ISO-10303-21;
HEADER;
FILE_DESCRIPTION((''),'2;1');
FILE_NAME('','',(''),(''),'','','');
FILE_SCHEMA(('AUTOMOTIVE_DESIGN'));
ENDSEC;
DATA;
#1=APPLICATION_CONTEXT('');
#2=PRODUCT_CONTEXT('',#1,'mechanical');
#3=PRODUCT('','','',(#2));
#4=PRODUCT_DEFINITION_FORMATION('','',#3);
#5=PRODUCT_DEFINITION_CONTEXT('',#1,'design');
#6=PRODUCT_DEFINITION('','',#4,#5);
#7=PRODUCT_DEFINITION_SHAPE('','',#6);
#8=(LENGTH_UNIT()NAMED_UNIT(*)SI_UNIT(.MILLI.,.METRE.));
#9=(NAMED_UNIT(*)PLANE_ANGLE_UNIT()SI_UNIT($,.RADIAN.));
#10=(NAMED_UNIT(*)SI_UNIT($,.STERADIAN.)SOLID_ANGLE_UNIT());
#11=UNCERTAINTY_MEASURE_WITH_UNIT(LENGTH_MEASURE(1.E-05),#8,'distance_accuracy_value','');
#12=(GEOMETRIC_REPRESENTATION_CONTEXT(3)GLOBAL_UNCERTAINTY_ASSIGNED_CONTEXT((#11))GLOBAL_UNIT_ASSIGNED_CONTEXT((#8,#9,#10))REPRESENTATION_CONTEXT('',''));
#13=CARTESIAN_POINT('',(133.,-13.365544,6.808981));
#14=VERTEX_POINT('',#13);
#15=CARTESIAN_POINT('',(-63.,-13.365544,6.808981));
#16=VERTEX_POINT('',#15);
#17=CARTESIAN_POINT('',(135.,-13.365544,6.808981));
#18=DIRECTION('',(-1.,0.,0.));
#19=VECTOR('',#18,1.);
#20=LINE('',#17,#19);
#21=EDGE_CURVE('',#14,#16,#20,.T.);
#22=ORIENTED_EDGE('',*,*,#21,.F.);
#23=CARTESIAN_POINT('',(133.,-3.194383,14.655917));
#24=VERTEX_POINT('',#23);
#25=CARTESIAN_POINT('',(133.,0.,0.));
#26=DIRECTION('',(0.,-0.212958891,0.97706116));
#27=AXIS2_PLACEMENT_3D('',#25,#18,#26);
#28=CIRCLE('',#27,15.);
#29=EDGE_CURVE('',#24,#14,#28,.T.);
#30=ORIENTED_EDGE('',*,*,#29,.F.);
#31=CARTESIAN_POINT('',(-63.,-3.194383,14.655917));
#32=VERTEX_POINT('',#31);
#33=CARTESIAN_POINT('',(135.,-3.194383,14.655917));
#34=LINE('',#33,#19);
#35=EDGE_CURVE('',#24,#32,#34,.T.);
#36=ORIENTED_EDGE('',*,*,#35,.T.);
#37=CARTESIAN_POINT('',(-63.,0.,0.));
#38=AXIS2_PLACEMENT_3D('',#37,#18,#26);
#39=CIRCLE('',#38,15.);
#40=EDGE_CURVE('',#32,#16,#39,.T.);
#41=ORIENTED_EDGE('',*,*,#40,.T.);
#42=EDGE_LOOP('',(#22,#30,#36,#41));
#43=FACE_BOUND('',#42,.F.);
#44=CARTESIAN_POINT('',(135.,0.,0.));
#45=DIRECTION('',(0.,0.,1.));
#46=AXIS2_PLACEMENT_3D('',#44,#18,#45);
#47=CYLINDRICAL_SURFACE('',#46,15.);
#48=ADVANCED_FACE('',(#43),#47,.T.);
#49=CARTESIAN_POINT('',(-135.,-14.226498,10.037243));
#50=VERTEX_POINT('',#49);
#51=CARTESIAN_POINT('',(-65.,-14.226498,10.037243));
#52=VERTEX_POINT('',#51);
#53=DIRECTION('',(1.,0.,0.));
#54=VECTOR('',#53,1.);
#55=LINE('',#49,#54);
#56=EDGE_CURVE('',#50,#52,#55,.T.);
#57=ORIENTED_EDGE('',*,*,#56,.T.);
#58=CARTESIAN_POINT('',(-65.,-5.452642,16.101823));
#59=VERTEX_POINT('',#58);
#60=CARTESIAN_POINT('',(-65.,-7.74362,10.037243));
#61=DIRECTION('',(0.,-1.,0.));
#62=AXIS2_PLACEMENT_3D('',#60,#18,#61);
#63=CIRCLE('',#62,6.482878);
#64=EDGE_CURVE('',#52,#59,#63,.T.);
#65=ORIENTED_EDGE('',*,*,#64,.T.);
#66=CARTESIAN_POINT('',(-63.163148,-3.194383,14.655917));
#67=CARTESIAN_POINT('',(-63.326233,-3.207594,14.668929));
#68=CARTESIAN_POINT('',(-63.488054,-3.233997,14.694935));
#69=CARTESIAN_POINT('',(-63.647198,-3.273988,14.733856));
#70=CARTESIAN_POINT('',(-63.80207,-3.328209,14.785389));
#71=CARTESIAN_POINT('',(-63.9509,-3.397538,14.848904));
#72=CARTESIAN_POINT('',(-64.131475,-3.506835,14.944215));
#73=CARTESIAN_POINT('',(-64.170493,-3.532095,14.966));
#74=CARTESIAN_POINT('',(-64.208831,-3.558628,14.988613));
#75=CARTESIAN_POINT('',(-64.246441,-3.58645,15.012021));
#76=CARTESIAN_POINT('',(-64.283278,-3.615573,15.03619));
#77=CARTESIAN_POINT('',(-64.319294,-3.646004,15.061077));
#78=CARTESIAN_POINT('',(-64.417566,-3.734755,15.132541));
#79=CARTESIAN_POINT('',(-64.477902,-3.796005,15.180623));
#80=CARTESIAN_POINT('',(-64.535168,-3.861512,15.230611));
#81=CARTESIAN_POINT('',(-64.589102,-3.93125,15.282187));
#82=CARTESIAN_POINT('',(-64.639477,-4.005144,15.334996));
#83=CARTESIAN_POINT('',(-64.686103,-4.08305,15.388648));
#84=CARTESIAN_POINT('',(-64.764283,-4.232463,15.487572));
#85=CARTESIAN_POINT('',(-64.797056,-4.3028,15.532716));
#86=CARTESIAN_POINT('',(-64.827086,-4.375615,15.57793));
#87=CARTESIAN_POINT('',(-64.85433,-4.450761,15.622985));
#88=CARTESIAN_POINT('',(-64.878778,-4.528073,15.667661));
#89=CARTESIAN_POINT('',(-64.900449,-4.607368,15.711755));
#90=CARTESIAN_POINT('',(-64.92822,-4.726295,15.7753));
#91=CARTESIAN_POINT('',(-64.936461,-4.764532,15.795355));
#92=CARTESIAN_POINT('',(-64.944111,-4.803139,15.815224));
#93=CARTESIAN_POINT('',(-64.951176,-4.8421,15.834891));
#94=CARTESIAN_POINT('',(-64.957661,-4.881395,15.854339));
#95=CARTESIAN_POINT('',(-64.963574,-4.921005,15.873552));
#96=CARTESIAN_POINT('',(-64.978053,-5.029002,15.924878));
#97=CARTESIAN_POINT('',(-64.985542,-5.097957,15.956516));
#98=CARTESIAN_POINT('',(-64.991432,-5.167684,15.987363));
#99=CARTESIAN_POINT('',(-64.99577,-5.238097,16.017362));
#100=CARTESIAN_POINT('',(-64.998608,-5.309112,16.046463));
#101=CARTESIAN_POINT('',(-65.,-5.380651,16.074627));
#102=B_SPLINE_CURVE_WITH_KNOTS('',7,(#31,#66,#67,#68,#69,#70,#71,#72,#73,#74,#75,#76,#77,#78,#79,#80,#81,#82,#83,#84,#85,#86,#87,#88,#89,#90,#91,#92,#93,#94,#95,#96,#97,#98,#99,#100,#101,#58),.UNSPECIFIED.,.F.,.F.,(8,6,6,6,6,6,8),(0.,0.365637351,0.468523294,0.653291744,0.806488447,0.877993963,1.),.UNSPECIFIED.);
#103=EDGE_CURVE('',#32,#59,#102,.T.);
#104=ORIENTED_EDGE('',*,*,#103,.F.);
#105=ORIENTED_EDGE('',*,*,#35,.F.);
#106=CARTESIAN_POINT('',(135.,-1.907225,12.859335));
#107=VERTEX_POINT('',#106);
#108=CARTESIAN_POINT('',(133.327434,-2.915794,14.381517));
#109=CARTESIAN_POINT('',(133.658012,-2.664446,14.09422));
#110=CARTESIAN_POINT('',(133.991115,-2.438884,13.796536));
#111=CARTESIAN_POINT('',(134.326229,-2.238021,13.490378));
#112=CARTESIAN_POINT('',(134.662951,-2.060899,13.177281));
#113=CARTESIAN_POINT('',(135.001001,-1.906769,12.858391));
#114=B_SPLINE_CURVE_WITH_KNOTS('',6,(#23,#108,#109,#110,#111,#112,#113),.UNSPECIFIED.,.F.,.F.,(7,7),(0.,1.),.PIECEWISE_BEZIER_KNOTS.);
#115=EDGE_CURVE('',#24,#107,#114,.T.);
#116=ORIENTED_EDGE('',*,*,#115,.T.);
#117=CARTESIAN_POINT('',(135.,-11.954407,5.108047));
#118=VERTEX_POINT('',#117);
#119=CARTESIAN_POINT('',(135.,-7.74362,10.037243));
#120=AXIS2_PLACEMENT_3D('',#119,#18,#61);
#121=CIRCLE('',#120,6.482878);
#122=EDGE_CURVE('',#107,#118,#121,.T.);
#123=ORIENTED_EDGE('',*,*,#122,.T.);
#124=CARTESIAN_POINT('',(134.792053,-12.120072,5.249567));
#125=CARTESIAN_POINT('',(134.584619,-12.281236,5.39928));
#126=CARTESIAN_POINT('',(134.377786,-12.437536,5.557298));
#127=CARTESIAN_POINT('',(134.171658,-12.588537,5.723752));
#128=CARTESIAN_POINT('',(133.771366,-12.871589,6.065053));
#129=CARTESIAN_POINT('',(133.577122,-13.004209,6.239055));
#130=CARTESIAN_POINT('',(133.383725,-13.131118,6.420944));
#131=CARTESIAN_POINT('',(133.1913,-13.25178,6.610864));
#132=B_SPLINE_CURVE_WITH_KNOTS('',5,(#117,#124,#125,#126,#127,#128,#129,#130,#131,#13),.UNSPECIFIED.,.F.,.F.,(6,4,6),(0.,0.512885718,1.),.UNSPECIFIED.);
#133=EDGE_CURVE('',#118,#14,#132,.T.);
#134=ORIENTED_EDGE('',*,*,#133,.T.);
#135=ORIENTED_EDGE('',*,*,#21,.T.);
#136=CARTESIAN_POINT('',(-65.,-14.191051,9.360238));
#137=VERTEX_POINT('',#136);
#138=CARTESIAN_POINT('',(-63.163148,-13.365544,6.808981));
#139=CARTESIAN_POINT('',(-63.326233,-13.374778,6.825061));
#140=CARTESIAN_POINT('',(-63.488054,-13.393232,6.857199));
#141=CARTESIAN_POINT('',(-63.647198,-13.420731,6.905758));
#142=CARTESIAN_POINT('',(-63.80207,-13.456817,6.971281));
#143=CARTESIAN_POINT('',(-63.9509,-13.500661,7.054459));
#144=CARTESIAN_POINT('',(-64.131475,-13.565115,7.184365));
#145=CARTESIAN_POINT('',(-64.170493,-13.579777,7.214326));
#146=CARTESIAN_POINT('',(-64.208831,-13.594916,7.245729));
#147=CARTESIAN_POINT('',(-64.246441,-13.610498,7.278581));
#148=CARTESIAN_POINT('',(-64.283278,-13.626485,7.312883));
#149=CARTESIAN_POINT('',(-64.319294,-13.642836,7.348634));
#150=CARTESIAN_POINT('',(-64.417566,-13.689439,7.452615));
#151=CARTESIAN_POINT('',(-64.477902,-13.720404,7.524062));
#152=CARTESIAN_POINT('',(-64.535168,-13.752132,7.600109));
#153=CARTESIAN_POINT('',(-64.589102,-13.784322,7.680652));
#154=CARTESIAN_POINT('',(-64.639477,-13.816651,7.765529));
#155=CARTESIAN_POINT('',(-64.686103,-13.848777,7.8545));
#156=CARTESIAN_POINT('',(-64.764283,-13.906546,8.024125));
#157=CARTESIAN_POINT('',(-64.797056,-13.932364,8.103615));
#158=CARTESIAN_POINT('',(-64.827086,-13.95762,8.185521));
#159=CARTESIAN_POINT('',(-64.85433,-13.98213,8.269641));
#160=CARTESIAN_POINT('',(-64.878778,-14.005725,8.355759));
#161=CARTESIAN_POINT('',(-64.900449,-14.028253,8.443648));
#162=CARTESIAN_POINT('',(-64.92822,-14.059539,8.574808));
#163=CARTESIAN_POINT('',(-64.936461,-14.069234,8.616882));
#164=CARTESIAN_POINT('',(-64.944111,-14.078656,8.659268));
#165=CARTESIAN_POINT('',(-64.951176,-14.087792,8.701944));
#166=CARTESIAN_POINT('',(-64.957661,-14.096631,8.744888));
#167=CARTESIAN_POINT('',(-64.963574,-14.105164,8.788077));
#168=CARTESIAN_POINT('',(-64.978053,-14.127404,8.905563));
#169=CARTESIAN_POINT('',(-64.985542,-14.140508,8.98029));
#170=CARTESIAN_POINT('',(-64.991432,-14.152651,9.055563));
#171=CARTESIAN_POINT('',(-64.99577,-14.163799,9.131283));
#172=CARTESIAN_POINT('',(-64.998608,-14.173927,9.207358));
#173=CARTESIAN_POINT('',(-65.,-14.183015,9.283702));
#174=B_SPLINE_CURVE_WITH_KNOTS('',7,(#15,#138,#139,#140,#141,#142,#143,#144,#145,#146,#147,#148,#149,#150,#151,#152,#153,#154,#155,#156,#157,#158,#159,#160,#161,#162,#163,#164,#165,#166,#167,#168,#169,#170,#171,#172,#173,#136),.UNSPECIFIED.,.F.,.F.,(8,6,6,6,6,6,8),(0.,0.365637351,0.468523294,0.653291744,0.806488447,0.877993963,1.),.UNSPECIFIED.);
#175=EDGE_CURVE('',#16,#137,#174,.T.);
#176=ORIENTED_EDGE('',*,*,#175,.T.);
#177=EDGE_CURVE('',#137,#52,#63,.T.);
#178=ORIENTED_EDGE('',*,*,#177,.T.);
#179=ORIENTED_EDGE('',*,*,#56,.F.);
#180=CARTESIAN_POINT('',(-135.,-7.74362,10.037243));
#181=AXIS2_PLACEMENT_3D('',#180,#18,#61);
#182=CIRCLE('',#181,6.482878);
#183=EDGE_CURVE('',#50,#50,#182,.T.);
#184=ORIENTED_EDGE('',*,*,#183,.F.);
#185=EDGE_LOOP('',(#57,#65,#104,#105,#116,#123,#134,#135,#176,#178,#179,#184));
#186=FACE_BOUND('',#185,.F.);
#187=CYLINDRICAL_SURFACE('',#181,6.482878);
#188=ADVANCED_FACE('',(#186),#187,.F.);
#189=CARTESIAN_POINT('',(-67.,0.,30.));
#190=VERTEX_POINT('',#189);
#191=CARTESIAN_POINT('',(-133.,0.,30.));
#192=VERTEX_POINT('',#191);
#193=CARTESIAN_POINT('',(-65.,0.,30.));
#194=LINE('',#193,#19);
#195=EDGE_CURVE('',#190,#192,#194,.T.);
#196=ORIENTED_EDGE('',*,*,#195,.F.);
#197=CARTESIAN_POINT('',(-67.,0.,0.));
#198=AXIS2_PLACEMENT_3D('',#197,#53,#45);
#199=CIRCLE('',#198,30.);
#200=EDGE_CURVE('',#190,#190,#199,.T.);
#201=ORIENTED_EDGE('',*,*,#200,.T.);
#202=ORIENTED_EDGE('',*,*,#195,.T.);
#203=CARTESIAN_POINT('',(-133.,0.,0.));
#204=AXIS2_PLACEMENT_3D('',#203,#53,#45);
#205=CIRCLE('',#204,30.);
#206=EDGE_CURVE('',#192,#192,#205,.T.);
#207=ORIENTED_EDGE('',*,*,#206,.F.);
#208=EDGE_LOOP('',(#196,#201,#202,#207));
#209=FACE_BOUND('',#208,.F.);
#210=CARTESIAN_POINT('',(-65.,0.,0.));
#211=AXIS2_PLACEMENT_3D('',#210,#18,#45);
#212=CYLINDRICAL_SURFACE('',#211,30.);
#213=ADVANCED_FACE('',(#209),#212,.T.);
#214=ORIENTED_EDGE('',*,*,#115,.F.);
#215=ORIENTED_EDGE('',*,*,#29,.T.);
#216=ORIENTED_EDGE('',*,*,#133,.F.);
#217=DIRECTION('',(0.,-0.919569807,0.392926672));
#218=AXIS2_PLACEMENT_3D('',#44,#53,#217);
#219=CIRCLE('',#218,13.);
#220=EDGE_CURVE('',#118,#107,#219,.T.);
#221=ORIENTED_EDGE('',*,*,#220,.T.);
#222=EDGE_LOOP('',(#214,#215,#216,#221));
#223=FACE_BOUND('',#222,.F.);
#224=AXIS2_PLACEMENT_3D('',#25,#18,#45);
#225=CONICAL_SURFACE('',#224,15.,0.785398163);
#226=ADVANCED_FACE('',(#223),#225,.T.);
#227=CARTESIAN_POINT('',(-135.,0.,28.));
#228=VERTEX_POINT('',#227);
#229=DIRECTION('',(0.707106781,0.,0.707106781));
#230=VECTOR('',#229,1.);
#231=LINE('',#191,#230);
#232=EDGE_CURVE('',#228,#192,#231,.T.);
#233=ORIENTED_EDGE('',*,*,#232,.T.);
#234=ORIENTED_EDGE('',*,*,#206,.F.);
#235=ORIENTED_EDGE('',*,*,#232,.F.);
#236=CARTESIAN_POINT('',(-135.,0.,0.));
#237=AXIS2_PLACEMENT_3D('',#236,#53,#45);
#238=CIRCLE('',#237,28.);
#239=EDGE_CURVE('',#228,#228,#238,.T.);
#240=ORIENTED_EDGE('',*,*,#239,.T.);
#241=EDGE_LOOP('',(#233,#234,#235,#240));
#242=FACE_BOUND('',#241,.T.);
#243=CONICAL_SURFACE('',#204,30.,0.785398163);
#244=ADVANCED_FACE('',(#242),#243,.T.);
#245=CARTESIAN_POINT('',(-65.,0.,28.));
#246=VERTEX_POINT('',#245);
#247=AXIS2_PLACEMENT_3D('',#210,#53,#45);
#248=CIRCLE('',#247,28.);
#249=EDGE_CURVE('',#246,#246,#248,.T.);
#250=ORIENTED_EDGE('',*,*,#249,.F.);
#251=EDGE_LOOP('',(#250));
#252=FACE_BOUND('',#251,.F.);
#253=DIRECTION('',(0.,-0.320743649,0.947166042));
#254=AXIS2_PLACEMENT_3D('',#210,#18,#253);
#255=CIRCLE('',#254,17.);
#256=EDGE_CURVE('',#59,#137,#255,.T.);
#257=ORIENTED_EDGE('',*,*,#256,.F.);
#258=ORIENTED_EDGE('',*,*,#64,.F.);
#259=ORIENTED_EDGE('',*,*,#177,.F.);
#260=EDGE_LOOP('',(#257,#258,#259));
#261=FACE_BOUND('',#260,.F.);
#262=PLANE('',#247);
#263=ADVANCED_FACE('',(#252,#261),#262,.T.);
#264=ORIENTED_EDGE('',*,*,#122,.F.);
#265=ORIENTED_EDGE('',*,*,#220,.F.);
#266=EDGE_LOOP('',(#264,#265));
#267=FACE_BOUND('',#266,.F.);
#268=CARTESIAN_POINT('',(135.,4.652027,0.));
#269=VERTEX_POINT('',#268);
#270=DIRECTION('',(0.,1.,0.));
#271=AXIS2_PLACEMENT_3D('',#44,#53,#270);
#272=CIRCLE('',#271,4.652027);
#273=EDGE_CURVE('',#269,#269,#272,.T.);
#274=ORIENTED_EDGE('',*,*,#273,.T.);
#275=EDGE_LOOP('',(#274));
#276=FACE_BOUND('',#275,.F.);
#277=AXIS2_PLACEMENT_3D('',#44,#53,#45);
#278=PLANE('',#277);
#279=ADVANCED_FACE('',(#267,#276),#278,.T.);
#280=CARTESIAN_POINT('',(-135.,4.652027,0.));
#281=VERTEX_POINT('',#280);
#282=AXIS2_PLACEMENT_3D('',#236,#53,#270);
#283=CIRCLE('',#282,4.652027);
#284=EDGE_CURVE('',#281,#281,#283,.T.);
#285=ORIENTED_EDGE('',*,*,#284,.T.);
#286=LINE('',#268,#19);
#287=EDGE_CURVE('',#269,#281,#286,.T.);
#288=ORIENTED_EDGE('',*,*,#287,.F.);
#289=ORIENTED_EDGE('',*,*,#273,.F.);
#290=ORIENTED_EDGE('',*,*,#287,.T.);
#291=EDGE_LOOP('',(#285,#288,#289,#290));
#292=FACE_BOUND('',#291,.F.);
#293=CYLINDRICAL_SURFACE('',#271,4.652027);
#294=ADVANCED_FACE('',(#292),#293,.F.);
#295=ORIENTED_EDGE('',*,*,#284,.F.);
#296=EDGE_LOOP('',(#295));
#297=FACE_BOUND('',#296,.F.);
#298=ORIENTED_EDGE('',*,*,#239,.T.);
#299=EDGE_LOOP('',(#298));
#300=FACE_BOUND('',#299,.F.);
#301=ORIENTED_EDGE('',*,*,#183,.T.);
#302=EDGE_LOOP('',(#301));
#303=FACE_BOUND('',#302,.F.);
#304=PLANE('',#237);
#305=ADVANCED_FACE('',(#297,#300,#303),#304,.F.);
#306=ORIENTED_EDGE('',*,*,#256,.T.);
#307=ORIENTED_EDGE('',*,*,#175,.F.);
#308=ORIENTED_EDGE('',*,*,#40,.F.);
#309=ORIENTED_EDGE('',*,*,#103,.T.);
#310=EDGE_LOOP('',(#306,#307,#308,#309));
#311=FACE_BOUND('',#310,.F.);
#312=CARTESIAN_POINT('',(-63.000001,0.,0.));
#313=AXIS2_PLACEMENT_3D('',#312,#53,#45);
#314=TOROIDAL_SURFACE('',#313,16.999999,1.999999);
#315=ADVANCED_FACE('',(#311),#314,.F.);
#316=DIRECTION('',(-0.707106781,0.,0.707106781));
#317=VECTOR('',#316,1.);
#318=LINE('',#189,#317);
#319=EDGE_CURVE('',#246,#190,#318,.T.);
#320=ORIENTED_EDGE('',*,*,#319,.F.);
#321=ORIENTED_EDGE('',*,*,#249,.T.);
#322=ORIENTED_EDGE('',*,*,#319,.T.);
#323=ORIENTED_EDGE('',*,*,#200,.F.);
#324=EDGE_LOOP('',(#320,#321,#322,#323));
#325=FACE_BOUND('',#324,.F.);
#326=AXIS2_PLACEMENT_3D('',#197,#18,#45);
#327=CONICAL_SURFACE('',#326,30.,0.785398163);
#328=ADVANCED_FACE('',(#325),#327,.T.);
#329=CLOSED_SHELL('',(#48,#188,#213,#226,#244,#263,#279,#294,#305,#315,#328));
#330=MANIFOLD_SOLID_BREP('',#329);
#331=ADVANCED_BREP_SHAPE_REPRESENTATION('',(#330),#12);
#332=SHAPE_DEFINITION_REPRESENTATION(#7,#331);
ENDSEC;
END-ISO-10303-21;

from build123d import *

# Parameters (mm, degrees)
F2_SIZE2 = 2
F2_SIZE  = 2
F3_R     = 4.652027
F4_DEPTH = 270.001
F6_R     = 6.482878
F7_DEPTH = 270.001


with BuildPart() as f1:
    # F0 (on Front) → F1 (revolve)
    with BuildSketch(Plane.XZ):
        with BuildLine():
            Line((-135, 30), (-135, 0))
            Line((-135, 0), (135, 0))
            Line((135, 0), (135, 15))
            Line((135, 15), (-63, 15))
            ThreePointArc((-63, 15), (-64.414214, 15.585786), (-65, 17))
            Line((-65, 17), (-65, 30))
            Line((-65, 30), (-135, 30))
        make_face()
    revolve(axis=Axis((9.817764, 0, 0), (1, 0, 0)))

    # F2
    f2_edges = [f1.edges().sort_by_distance(p)[0] for p in [
        (-65, 0, -30),
        (-135, 0, -30),
        (-100, 0, 30),
        (135, 0, -15),
    ]]
    chamfer(f2_edges, length=F2_SIZE, length2=F2_SIZE2)

    # F3 (on face) → F4 (cut, through all)
    with BuildSketch(Plane.YZ.offset(135)):
        Circle(F3_R)
    extrude(amount=-F4_DEPTH, mode=Mode.SUBTRACT)

    # F6 (on face) → F7 (cut, through all)
    with BuildSketch(Plane(origin=(-135, 0, 0), x_dir=(0, -1, 0), z_dir=(-1, 0, 0))):
        with Locations((7.74362, 10.037243)):
            Circle(F6_R)
    extrude(amount=-F7_DEPTH, mode=Mode.SUBTRACT)


solid = f1.part
